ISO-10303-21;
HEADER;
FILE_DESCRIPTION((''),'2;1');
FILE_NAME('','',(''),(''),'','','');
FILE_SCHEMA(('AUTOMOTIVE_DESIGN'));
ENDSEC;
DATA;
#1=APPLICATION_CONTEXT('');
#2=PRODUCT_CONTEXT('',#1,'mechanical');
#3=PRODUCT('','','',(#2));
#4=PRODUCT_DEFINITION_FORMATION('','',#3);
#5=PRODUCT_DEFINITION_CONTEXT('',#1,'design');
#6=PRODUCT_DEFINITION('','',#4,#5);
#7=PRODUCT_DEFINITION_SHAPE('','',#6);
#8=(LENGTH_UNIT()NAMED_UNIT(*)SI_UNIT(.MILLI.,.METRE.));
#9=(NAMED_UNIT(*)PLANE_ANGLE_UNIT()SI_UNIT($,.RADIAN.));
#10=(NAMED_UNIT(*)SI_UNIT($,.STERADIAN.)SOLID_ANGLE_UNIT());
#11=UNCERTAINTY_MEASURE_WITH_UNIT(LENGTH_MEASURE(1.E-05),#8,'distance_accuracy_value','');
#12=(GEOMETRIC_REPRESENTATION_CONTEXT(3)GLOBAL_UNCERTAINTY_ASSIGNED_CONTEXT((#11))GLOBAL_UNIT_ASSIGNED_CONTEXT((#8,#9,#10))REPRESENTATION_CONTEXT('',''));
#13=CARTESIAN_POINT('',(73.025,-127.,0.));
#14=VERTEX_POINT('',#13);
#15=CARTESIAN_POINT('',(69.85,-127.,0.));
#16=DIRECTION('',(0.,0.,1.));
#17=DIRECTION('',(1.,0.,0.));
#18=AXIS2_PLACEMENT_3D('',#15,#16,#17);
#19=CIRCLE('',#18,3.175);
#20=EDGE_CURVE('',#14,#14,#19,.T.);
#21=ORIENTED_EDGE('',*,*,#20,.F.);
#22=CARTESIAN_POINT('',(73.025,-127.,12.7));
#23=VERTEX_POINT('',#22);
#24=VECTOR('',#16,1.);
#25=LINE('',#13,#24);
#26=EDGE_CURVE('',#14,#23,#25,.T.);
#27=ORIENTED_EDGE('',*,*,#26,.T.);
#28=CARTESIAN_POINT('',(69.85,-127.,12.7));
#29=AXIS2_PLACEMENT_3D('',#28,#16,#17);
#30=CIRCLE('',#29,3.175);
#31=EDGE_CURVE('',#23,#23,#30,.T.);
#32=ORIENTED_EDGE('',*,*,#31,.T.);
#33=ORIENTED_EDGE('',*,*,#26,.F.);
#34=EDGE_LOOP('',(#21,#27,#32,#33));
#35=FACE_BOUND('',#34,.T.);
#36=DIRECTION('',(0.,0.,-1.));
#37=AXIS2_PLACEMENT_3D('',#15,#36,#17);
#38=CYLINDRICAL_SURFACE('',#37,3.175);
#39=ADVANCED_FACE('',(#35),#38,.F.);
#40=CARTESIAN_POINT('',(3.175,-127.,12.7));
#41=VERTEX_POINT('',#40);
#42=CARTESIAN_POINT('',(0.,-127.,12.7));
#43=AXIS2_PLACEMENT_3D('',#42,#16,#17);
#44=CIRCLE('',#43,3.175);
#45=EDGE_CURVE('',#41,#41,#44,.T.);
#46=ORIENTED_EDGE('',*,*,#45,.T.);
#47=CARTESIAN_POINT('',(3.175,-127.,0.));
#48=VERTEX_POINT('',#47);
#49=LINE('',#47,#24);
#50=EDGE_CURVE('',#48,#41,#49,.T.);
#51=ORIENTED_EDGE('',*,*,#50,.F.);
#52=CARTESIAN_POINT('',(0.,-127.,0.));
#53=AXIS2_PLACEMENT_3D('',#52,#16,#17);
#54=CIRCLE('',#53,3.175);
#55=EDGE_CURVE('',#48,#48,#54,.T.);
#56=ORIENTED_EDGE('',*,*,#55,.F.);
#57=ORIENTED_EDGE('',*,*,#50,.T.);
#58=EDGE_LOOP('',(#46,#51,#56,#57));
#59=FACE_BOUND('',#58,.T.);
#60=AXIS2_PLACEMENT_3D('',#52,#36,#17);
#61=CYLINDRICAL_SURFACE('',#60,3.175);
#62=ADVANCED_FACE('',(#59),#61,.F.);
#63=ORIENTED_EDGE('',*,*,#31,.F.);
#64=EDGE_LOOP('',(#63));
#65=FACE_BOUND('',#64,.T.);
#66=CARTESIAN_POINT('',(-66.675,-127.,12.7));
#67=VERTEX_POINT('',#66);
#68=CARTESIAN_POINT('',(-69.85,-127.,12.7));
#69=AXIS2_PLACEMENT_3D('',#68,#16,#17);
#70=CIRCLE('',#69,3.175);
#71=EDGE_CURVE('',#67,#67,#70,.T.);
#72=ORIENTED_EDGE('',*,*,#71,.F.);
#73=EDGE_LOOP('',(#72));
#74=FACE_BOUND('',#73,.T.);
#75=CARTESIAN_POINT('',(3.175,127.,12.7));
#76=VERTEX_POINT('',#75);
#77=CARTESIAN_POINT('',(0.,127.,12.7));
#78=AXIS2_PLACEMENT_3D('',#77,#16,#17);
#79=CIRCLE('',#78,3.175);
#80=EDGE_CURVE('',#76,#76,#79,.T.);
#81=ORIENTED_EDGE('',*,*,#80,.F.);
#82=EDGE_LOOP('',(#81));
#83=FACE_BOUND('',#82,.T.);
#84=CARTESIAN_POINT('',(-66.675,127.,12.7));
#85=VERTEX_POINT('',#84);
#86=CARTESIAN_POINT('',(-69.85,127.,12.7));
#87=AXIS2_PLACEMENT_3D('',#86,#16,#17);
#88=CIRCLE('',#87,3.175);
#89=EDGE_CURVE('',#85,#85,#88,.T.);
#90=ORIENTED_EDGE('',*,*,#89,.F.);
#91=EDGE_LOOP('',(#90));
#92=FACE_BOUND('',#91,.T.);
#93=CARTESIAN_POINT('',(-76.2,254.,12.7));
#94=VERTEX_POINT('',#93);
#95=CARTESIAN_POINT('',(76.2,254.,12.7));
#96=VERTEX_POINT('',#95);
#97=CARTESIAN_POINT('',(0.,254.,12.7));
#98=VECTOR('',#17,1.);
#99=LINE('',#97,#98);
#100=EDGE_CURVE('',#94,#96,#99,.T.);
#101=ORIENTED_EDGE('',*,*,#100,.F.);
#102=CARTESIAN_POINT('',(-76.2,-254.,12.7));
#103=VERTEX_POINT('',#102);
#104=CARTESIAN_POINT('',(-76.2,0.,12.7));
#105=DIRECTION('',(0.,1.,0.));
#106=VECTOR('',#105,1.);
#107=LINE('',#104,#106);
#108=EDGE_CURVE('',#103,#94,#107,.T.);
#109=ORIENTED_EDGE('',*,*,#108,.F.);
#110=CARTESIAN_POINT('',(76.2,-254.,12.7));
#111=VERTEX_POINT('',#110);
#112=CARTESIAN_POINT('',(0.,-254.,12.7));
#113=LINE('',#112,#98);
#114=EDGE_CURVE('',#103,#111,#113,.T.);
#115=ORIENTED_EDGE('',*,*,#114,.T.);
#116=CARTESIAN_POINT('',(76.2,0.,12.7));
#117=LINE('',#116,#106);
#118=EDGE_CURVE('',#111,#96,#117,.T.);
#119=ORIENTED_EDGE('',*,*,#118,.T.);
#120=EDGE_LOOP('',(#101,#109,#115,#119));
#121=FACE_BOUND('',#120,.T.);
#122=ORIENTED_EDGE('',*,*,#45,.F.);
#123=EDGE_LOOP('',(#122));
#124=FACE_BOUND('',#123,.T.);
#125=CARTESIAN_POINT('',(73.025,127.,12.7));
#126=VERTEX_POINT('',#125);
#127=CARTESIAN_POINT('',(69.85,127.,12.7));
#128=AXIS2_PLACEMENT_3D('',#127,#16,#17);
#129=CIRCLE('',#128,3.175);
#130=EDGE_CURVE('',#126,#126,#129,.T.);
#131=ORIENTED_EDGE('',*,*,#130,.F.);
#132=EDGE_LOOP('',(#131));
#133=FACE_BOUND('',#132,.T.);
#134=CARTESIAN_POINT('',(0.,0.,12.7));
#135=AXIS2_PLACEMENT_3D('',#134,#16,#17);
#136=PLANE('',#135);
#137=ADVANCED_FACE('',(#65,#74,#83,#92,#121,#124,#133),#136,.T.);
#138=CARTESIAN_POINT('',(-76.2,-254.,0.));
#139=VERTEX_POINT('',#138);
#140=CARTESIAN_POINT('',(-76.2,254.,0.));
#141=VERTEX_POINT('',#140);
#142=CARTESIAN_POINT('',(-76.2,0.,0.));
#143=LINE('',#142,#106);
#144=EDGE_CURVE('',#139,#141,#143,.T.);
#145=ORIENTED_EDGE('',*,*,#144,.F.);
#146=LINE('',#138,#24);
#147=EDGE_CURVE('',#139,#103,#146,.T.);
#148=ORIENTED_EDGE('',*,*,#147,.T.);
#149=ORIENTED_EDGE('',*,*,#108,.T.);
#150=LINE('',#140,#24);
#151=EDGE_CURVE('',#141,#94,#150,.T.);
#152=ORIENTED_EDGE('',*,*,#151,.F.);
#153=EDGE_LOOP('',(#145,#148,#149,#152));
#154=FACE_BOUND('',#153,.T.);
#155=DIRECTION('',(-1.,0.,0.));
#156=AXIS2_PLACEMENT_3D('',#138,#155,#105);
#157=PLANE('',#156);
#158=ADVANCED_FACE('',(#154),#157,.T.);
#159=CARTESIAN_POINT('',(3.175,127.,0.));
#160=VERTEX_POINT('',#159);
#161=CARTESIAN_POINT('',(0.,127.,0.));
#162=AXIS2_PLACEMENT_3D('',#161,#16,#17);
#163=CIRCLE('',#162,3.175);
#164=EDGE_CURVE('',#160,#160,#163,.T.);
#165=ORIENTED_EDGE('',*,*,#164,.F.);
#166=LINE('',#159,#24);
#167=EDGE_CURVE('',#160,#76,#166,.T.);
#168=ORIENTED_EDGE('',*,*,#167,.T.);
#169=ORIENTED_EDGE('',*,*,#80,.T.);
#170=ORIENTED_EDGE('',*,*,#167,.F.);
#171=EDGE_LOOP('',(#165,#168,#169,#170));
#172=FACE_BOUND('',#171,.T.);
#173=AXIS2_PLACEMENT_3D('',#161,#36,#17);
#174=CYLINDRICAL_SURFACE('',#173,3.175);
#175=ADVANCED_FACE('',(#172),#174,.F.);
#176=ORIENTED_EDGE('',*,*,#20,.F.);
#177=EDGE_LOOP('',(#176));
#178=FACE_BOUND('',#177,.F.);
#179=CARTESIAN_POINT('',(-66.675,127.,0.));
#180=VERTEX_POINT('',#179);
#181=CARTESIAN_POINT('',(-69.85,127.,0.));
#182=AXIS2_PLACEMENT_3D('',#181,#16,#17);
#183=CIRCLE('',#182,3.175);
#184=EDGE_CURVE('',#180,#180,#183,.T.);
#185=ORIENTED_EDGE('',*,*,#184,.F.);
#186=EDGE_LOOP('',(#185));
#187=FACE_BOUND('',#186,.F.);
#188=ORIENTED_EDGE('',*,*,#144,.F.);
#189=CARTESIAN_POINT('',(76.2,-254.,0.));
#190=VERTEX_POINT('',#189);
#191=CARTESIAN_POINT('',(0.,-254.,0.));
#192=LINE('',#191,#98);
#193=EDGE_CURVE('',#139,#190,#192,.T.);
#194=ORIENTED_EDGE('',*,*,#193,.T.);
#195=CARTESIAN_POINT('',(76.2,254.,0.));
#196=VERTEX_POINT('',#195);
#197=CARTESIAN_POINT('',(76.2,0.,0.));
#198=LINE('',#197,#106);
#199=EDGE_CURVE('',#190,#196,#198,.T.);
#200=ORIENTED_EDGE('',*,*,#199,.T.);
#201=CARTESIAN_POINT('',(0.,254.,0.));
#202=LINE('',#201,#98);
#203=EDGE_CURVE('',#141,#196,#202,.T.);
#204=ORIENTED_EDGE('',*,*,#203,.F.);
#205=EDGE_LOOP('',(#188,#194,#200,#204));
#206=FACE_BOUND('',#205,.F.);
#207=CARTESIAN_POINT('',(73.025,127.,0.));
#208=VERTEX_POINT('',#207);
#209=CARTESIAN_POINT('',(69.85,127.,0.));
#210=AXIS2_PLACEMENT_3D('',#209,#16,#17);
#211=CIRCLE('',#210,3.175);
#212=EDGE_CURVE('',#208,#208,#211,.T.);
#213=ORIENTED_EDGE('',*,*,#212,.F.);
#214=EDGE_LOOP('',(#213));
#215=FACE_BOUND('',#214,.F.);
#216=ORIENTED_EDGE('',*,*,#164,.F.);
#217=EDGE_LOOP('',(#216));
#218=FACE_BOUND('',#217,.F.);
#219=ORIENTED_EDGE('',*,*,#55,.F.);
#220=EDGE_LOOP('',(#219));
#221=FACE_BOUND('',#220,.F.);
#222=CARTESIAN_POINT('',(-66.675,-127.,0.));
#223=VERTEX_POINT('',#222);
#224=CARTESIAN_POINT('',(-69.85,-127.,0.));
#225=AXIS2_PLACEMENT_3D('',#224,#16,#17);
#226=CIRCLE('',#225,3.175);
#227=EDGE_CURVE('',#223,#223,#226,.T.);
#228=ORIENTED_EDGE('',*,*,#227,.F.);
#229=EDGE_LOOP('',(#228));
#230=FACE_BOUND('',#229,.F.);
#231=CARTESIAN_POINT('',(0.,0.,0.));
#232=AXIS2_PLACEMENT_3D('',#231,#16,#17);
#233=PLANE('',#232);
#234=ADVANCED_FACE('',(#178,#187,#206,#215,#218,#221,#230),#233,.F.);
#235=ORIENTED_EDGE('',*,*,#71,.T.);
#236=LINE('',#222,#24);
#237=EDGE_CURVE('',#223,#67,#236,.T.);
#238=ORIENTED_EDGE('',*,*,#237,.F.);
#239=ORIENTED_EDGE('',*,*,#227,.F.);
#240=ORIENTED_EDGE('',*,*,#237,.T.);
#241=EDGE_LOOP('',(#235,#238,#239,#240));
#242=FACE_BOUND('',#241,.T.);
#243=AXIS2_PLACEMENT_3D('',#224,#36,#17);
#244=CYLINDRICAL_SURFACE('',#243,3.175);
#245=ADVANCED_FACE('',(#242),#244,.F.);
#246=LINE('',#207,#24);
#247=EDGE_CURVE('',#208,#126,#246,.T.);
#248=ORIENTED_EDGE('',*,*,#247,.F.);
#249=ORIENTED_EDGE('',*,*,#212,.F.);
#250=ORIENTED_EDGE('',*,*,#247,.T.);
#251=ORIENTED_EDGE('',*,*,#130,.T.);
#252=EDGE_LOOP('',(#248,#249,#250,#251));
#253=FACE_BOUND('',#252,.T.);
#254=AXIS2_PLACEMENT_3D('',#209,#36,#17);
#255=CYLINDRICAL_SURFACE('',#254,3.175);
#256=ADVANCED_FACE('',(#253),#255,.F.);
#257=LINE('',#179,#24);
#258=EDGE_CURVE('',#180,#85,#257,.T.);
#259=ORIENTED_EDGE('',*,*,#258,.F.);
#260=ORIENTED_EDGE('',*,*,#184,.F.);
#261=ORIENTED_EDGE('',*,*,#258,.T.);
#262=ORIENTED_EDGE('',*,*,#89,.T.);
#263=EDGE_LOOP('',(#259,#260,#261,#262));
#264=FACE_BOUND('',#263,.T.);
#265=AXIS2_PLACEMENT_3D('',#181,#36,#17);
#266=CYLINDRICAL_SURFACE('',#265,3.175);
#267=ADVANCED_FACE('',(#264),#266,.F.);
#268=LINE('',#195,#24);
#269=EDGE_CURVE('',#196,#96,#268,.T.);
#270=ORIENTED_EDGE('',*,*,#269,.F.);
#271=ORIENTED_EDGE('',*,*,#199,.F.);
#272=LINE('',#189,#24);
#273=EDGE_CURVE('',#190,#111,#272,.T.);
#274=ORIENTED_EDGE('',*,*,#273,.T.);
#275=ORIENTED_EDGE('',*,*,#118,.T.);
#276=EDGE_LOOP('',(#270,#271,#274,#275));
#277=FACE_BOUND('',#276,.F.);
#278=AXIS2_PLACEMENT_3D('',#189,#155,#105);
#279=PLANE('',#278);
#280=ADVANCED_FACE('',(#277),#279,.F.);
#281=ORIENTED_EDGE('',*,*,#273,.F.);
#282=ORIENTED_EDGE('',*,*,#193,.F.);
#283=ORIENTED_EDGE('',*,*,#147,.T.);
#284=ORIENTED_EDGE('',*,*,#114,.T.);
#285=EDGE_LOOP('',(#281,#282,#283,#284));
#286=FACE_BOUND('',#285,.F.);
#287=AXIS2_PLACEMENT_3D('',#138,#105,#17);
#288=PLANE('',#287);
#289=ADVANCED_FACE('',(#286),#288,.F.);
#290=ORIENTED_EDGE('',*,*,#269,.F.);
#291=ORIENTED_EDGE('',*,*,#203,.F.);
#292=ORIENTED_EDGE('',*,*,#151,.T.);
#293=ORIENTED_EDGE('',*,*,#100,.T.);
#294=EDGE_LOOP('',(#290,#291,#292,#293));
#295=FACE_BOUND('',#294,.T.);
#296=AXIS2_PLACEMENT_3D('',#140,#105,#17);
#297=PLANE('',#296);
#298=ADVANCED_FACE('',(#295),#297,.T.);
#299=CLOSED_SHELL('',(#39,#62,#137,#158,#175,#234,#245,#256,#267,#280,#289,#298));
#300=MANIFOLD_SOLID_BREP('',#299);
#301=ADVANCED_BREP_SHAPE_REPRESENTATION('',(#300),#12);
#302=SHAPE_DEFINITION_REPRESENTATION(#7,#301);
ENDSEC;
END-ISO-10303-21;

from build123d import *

# Parameters (mm, degrees)
F0_W     = 152.4
F0_H     = 508
F2_DEPTH = 12.7
F1_R     = 3.175
F3_DEPTH = 12.7


with BuildPart() as f2:
    # F0 (on Top) → F2 (new body)
    with BuildSketch(Plane.XY):
        Rectangle(F0_W, F0_H)
    extrude(amount=F2_DEPTH)

    # F1 (on Top) → F3 (cut, through all)
    with BuildSketch(Plane.XY):
        with Locations((-69.85, 127)):
            Circle(F1_R)
        with Locations((69.85, 127)):
            Circle(F1_R)
        with Locations((69.85, -127)):
            Circle(F1_R)
        with Locations((-69.85, -127)):
            Circle(F1_R)
        with Locations((0, 127)):
            Circle(F1_R)
        with Locations((0, -127)):
            Circle(F1_R)
    extrude(amount=F3_DEPTH, mode=Mode.SUBTRACT)


solid = f2.part
